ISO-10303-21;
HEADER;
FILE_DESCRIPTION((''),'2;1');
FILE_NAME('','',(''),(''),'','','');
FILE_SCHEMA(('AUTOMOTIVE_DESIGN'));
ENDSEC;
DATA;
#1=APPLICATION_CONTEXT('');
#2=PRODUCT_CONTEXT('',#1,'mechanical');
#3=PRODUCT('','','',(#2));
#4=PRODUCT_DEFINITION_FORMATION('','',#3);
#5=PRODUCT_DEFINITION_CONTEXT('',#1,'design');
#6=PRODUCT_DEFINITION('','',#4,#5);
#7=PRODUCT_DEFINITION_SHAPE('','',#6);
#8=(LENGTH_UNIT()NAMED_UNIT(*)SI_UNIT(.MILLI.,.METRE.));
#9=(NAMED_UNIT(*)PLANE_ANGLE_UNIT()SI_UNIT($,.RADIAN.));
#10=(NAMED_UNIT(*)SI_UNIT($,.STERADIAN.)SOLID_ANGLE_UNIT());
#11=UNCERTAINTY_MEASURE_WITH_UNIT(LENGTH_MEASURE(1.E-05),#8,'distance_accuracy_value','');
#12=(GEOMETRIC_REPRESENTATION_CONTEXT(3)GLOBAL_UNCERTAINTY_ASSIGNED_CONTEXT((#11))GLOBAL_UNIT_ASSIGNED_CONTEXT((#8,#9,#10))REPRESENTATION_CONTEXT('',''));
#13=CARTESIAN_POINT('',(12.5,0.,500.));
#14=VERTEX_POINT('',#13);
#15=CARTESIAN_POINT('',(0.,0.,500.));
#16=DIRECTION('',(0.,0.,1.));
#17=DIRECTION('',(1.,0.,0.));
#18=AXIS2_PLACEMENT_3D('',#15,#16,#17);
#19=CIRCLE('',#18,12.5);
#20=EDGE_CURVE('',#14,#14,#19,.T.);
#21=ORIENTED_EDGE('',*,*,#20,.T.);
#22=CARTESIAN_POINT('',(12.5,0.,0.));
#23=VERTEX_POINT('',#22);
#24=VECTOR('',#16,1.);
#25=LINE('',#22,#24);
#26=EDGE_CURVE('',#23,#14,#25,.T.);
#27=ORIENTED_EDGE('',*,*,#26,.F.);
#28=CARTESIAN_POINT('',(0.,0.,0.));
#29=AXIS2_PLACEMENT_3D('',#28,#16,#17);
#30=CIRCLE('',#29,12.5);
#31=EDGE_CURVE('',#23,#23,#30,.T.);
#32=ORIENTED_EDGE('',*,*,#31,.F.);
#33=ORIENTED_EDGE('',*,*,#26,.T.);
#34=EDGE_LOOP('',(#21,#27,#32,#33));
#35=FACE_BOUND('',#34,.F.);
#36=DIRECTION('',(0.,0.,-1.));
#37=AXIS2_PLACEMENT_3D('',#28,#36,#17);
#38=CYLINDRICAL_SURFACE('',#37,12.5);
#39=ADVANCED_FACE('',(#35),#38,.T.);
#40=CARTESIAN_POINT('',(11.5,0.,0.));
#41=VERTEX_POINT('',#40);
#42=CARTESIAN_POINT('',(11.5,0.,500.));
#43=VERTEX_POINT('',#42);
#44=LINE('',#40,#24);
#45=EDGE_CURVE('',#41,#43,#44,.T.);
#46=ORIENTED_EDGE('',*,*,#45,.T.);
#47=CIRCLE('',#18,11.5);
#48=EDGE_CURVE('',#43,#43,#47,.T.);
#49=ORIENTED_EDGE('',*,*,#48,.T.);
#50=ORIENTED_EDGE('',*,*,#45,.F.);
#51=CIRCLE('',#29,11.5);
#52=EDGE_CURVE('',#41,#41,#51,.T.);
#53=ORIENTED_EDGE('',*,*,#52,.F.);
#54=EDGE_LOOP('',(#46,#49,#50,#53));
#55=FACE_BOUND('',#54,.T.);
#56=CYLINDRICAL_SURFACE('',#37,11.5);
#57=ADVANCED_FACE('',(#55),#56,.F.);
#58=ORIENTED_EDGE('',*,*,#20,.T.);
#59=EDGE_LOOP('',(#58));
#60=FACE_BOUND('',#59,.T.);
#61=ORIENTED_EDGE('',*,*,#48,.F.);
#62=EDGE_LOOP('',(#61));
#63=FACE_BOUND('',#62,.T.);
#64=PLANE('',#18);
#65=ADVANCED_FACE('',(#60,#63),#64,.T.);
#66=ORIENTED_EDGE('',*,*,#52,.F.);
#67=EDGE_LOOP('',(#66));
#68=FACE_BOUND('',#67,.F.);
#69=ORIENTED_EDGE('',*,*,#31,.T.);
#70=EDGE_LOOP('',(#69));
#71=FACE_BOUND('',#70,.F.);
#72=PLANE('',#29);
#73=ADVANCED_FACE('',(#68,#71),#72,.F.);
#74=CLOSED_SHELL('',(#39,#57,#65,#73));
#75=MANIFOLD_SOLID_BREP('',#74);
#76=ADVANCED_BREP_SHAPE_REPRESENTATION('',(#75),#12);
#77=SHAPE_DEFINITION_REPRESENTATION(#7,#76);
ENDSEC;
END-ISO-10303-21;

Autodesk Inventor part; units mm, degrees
ref_plane "YZ Plane" through (0, 0, 0) normal (1, 0, 0) x (0, 1, 0)
ref_plane "XZ Plane" through (0, 0, 0) normal (0, 1, 0) x (-1, 0, 0)
ref_plane "XY Plane" through (0, 0, 0) normal (0, 0, 1) x (1, 0, 0)
sketch "Sketch1" plane through (0, 0, 0) normal (0, 0, 1) x (1, 0, 0)
  circle A0 centre (0, 0) radius 12.5
  circle A1 centre (0, 0) radius 11.5
  dimension "d0" = 12.5
  dimension "d1" = 11.5
extrude "Extrusion1" add sketch "Sketch1" along normal blind 500
properties part number "500mm tube" material "CFRP"
